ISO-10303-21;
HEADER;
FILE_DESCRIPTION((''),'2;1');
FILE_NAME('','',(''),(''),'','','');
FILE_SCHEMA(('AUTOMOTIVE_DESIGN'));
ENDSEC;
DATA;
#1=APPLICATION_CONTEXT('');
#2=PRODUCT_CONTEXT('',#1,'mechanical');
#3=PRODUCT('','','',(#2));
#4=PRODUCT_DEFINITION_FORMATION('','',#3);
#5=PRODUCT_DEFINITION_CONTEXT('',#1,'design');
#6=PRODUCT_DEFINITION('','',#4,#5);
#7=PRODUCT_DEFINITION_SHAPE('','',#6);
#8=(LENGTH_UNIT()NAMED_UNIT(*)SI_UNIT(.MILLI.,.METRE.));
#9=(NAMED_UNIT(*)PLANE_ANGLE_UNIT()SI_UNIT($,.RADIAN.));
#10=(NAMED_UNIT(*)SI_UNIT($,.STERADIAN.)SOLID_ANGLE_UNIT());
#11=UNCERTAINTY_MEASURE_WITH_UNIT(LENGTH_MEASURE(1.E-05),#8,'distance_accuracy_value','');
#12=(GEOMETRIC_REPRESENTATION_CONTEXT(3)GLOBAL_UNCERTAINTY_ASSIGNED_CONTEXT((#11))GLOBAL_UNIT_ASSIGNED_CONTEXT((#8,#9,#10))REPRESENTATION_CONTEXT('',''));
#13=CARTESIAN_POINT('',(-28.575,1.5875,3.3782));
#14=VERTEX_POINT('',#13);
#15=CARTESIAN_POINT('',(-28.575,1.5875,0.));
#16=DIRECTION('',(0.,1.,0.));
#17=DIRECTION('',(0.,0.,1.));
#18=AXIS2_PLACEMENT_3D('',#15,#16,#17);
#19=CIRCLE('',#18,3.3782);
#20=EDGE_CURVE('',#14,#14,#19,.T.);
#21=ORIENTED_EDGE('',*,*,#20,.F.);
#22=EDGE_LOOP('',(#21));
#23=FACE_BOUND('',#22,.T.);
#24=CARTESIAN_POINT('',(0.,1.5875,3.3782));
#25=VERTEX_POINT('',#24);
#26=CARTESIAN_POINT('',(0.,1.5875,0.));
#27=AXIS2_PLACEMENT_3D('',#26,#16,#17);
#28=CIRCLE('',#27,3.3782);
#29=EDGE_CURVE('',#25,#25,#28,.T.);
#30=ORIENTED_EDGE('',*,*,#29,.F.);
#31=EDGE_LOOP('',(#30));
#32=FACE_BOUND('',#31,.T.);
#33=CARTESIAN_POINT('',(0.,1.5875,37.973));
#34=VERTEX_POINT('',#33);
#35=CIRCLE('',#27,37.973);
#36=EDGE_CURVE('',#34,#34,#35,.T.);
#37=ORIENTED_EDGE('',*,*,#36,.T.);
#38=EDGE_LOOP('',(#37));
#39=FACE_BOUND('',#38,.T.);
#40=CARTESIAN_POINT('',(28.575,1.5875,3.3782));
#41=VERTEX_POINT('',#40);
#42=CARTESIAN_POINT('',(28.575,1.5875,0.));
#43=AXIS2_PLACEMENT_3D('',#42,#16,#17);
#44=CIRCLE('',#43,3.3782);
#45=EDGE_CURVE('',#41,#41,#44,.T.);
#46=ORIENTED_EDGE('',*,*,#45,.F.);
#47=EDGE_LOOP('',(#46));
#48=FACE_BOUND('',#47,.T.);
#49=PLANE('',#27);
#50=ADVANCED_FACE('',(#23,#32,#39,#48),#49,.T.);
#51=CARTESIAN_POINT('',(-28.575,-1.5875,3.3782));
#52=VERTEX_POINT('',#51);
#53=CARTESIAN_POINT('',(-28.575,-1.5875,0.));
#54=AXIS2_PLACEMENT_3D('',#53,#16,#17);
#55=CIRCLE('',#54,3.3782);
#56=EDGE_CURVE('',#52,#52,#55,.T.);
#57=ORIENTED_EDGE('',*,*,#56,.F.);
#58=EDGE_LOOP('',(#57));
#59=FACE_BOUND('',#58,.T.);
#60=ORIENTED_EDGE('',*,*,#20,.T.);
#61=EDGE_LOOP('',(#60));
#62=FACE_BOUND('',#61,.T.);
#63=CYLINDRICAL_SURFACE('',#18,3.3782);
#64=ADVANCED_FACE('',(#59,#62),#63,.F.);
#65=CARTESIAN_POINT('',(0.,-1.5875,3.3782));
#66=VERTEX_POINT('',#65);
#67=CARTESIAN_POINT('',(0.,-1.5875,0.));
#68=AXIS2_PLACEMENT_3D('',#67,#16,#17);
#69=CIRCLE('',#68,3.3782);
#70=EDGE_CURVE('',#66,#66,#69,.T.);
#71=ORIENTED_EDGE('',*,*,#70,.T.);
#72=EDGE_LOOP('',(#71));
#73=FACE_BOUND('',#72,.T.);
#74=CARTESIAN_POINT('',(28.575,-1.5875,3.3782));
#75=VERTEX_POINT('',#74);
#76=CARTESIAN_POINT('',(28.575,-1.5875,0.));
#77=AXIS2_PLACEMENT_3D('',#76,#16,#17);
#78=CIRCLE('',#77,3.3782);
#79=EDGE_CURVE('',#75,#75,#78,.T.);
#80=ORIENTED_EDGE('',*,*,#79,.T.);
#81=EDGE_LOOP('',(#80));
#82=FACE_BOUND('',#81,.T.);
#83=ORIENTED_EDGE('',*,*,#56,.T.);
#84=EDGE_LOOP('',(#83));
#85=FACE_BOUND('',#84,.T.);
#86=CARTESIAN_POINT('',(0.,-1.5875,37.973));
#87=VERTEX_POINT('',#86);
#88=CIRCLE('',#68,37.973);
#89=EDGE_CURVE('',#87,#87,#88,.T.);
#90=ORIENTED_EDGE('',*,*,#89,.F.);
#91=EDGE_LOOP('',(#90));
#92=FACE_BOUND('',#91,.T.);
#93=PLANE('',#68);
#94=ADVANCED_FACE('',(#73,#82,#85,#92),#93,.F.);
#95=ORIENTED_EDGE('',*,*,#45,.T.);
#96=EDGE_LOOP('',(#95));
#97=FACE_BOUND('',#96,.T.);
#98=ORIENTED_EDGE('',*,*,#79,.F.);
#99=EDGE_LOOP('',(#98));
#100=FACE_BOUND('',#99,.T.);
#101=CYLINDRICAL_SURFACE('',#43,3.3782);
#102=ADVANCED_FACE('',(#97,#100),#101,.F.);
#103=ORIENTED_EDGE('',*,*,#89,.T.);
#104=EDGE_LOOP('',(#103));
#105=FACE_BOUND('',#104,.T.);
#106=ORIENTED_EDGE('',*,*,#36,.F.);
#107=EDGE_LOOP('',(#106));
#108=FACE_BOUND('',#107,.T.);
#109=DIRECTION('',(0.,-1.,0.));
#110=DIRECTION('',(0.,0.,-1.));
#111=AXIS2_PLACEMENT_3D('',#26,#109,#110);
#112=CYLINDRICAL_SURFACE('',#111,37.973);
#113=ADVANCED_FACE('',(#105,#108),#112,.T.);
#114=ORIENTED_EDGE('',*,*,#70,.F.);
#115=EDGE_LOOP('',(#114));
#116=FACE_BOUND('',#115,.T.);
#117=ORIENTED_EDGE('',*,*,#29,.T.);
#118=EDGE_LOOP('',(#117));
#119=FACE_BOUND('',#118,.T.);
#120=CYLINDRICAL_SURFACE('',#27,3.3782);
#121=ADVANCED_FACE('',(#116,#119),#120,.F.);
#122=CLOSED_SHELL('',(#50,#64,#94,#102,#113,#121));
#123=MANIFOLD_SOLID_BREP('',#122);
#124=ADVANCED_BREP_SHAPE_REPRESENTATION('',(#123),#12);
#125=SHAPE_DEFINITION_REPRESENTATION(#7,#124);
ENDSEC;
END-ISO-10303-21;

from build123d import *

# Parameters (mm, degrees)
SKETCH1_R                = 37.973
BOSS_EXTRUDE1_DEPTH      = 1.5875
H_0_266_DIAMETER_HOLE1_D = 6.7564
H_0_266_DIAMETER_HOLE2_D = 6.7564


with BuildPart() as part:
    # Sketch1 → Boss-Extrude1 (new, symmetric)
    with BuildSketch(Plane(origin=(0, 0, 0), x_dir=(1, 0, 0), z_dir=(0, 1, 0))):
        with Locations(Location((0, 0, 0), (0, 0, 270))):
            Circle(SKETCH1_R)
    extrude(amount=BOSS_EXTRUDE1_DEPTH, both=True)

    # H (0.266) Diameter Hole1 (through all)
    with Locations(Plane(origin=(0, 1.5875, 0), x_dir=(1, 0, 0), z_dir=(0, 1, 0))):
        with Locations((-28.575, 0), (28.575, 0)):
            Hole(H_0_266_DIAMETER_HOLE1_D / 2)

    # H (0.266) Diameter Hole2 (through all)
    with Locations(Plane(origin=(0, 1.5875, 0), x_dir=(1, 0, 0), z_dir=(0, 1, 0))):
        with Locations((0, 0)):
            Hole(H_0_266_DIAMETER_HOLE2_D / 2)


solid = part.part
